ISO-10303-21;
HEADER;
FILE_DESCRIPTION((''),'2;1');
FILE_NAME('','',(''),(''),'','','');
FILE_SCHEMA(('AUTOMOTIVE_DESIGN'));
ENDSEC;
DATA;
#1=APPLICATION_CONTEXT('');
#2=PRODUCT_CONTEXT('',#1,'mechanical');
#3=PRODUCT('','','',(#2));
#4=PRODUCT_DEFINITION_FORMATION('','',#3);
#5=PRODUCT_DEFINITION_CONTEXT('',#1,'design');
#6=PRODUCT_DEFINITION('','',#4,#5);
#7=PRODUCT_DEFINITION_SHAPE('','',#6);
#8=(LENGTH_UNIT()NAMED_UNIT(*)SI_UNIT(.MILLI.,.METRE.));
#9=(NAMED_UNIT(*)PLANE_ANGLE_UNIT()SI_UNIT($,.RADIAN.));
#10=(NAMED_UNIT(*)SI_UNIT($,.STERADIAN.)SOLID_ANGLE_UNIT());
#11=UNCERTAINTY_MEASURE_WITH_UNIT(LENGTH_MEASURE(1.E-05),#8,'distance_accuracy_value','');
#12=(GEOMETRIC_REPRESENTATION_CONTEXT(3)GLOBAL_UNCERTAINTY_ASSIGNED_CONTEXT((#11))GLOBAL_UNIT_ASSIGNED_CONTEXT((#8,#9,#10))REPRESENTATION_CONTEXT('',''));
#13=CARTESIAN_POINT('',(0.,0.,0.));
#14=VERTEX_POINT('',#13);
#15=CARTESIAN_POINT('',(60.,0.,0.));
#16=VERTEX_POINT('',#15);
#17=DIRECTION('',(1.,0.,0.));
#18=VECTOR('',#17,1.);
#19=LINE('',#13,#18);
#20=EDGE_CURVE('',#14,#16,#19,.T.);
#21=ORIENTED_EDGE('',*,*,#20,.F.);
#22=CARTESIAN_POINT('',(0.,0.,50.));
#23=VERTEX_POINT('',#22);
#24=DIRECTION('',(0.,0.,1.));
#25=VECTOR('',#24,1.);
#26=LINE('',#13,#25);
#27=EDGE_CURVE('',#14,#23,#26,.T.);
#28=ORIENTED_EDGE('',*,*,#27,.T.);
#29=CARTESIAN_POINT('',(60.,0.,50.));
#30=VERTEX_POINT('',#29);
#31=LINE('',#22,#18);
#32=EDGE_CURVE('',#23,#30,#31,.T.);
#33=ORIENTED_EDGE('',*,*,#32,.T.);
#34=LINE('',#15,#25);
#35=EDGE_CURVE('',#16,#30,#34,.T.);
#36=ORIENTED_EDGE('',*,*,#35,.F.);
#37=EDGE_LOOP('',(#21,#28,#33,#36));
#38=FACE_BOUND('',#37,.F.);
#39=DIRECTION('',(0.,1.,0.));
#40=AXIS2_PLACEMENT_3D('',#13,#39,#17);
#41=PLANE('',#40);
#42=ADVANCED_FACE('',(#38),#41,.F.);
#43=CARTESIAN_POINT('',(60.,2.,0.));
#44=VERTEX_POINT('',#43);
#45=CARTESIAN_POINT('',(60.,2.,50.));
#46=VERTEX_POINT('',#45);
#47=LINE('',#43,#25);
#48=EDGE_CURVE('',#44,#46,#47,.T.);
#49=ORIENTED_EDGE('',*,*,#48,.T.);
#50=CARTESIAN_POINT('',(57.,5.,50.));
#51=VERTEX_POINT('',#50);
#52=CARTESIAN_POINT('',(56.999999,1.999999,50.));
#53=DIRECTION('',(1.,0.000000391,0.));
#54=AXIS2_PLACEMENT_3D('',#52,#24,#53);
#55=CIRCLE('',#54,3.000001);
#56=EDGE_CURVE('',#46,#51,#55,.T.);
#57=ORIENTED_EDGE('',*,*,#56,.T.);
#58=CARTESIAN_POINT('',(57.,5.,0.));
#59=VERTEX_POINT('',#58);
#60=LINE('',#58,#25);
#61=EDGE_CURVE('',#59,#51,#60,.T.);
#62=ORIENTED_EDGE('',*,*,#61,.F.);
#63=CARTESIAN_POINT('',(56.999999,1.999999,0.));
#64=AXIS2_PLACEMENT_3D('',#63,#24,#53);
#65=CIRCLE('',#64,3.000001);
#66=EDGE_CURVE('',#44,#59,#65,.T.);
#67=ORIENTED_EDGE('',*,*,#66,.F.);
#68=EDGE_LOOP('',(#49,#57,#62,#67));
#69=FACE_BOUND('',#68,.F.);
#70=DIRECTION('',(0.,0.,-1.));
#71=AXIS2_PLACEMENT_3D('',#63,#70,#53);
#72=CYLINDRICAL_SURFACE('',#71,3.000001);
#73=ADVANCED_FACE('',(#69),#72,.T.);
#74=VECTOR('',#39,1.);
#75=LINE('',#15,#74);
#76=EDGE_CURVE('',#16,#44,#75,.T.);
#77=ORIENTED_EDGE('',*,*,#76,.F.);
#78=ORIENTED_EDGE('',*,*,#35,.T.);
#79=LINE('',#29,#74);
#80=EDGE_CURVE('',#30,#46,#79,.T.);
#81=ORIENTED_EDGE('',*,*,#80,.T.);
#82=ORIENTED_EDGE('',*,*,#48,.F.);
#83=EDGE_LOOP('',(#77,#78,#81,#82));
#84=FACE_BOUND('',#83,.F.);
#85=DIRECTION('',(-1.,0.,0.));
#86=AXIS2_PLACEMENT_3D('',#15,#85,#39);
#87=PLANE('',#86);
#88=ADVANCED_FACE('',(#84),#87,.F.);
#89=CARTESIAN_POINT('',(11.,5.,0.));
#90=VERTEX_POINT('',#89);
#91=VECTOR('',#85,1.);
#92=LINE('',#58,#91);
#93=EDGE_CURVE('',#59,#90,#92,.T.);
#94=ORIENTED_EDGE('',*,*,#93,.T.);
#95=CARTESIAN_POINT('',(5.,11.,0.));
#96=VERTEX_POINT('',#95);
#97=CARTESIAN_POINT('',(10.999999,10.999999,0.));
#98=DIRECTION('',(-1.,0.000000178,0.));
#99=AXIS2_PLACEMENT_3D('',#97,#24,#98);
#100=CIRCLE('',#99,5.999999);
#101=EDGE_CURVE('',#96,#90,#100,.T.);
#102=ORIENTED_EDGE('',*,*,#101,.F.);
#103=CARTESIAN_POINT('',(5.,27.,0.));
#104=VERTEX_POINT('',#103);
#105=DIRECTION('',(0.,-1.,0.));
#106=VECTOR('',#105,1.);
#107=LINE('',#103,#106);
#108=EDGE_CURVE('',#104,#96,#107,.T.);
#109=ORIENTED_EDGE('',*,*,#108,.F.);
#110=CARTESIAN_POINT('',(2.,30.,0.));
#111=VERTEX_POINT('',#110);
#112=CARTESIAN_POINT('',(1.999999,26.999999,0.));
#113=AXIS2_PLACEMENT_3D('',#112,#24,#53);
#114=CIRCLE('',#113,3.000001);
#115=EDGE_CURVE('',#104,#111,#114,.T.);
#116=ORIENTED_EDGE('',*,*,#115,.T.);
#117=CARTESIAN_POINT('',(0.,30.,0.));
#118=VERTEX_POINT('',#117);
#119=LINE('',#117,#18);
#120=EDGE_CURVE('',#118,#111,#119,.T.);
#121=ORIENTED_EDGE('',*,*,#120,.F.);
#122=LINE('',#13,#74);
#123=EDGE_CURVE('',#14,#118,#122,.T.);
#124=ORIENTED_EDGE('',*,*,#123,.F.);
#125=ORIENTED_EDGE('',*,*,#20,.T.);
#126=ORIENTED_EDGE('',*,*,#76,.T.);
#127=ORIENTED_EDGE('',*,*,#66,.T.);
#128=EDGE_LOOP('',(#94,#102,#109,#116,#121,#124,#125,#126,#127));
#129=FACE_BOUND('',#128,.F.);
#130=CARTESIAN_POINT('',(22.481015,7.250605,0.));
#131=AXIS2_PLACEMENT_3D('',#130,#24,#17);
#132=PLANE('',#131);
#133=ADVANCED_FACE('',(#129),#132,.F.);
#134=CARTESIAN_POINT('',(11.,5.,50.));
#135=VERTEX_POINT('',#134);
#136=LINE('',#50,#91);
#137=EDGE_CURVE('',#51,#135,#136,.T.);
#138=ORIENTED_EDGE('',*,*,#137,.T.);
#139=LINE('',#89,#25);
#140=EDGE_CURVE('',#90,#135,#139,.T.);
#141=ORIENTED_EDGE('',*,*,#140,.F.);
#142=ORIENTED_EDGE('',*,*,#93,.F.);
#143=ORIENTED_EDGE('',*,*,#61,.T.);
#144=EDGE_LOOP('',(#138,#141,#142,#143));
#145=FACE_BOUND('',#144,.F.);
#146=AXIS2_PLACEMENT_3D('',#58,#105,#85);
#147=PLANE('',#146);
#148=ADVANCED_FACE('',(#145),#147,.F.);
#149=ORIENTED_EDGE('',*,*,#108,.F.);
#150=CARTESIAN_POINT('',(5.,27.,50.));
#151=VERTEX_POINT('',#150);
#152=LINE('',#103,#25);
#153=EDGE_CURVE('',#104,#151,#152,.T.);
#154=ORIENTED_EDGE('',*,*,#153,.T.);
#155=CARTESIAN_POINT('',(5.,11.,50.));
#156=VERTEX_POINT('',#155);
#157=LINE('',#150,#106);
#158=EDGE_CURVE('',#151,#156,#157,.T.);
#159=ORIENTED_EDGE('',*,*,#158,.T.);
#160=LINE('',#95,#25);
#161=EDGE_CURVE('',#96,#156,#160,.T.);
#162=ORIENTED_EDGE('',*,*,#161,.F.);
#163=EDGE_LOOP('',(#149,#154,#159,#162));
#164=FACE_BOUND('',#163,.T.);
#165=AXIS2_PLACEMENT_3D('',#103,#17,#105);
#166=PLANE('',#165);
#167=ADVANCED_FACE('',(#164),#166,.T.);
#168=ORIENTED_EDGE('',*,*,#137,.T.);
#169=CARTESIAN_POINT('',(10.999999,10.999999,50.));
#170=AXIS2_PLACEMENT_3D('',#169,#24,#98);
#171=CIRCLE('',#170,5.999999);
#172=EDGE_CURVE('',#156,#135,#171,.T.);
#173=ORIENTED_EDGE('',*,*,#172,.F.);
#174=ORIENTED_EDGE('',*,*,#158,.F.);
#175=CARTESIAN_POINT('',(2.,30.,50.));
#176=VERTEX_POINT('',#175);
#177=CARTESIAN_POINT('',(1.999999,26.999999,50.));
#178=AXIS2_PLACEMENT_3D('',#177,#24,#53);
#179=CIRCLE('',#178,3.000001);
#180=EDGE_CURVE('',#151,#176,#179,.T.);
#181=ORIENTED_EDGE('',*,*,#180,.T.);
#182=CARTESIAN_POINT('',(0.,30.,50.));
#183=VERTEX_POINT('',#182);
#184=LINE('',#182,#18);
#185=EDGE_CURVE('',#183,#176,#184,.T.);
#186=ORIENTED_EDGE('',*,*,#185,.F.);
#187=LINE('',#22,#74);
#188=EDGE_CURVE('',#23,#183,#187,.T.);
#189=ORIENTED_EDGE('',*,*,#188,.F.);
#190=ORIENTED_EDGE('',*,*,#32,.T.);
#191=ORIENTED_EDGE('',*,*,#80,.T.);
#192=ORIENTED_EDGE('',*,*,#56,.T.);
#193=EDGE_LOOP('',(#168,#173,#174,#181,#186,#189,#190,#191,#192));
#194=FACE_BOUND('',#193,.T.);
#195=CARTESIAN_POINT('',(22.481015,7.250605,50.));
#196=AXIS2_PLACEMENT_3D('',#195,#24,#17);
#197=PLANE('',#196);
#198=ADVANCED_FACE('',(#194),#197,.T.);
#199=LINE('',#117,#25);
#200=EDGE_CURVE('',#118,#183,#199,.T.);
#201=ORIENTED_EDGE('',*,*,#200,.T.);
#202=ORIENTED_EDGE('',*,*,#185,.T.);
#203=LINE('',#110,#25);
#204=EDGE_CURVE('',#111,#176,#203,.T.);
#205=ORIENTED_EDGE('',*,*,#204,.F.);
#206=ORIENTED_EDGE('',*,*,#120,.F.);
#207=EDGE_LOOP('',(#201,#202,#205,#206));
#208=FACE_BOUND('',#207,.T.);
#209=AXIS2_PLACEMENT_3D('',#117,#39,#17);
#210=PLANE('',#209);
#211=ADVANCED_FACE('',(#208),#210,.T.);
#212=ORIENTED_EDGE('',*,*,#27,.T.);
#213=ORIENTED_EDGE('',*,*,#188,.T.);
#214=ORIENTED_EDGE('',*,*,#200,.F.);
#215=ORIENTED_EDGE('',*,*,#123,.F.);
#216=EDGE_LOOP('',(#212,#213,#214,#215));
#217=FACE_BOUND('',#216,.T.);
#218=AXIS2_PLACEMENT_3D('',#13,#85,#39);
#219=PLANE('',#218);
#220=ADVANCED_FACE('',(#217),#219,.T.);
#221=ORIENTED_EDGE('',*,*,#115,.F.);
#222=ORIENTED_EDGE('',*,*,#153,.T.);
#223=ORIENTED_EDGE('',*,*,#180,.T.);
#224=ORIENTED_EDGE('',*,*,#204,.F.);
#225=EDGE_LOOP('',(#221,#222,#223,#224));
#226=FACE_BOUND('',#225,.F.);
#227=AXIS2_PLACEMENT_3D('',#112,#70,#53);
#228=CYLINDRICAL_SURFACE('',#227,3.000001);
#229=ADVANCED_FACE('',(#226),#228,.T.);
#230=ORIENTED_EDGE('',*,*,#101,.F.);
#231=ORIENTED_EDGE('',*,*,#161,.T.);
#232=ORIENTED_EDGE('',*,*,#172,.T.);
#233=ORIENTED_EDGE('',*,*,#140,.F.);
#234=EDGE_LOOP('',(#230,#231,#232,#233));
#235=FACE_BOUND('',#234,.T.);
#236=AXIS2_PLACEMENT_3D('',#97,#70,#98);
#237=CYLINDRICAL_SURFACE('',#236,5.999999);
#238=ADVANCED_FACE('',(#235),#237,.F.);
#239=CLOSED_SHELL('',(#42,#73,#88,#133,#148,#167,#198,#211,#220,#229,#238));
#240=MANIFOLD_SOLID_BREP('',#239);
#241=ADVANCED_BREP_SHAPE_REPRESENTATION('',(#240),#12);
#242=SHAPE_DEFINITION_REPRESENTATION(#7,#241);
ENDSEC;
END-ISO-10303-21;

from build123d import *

# Parameters (mm, degrees)
EXTRUDE_DEPTH = 50


with BuildPart() as part:
    # Sketch → Extrude (new body)
    with BuildSketch(Plane.XY):
        with BuildLine():
            Line((0, 0), (60, 0))
            Line((60, 0), (60, 2))
            ThreePointArc((60, 2), (59.12132, 4.12132), (57, 5))
            Line((57, 5), (11, 5))
            ThreePointArc((5, 11), (6.757359, 6.757359), (11, 5))
            Line((5, 27), (5, 11))
            ThreePointArc((5, 27), (4.12132, 29.12132), (2, 30))
            Line((0, 30), (2, 30))
            Line((0, 0), (0, 30))
        make_face()
    extrude(amount=EXTRUDE_DEPTH)


solid = part.part
